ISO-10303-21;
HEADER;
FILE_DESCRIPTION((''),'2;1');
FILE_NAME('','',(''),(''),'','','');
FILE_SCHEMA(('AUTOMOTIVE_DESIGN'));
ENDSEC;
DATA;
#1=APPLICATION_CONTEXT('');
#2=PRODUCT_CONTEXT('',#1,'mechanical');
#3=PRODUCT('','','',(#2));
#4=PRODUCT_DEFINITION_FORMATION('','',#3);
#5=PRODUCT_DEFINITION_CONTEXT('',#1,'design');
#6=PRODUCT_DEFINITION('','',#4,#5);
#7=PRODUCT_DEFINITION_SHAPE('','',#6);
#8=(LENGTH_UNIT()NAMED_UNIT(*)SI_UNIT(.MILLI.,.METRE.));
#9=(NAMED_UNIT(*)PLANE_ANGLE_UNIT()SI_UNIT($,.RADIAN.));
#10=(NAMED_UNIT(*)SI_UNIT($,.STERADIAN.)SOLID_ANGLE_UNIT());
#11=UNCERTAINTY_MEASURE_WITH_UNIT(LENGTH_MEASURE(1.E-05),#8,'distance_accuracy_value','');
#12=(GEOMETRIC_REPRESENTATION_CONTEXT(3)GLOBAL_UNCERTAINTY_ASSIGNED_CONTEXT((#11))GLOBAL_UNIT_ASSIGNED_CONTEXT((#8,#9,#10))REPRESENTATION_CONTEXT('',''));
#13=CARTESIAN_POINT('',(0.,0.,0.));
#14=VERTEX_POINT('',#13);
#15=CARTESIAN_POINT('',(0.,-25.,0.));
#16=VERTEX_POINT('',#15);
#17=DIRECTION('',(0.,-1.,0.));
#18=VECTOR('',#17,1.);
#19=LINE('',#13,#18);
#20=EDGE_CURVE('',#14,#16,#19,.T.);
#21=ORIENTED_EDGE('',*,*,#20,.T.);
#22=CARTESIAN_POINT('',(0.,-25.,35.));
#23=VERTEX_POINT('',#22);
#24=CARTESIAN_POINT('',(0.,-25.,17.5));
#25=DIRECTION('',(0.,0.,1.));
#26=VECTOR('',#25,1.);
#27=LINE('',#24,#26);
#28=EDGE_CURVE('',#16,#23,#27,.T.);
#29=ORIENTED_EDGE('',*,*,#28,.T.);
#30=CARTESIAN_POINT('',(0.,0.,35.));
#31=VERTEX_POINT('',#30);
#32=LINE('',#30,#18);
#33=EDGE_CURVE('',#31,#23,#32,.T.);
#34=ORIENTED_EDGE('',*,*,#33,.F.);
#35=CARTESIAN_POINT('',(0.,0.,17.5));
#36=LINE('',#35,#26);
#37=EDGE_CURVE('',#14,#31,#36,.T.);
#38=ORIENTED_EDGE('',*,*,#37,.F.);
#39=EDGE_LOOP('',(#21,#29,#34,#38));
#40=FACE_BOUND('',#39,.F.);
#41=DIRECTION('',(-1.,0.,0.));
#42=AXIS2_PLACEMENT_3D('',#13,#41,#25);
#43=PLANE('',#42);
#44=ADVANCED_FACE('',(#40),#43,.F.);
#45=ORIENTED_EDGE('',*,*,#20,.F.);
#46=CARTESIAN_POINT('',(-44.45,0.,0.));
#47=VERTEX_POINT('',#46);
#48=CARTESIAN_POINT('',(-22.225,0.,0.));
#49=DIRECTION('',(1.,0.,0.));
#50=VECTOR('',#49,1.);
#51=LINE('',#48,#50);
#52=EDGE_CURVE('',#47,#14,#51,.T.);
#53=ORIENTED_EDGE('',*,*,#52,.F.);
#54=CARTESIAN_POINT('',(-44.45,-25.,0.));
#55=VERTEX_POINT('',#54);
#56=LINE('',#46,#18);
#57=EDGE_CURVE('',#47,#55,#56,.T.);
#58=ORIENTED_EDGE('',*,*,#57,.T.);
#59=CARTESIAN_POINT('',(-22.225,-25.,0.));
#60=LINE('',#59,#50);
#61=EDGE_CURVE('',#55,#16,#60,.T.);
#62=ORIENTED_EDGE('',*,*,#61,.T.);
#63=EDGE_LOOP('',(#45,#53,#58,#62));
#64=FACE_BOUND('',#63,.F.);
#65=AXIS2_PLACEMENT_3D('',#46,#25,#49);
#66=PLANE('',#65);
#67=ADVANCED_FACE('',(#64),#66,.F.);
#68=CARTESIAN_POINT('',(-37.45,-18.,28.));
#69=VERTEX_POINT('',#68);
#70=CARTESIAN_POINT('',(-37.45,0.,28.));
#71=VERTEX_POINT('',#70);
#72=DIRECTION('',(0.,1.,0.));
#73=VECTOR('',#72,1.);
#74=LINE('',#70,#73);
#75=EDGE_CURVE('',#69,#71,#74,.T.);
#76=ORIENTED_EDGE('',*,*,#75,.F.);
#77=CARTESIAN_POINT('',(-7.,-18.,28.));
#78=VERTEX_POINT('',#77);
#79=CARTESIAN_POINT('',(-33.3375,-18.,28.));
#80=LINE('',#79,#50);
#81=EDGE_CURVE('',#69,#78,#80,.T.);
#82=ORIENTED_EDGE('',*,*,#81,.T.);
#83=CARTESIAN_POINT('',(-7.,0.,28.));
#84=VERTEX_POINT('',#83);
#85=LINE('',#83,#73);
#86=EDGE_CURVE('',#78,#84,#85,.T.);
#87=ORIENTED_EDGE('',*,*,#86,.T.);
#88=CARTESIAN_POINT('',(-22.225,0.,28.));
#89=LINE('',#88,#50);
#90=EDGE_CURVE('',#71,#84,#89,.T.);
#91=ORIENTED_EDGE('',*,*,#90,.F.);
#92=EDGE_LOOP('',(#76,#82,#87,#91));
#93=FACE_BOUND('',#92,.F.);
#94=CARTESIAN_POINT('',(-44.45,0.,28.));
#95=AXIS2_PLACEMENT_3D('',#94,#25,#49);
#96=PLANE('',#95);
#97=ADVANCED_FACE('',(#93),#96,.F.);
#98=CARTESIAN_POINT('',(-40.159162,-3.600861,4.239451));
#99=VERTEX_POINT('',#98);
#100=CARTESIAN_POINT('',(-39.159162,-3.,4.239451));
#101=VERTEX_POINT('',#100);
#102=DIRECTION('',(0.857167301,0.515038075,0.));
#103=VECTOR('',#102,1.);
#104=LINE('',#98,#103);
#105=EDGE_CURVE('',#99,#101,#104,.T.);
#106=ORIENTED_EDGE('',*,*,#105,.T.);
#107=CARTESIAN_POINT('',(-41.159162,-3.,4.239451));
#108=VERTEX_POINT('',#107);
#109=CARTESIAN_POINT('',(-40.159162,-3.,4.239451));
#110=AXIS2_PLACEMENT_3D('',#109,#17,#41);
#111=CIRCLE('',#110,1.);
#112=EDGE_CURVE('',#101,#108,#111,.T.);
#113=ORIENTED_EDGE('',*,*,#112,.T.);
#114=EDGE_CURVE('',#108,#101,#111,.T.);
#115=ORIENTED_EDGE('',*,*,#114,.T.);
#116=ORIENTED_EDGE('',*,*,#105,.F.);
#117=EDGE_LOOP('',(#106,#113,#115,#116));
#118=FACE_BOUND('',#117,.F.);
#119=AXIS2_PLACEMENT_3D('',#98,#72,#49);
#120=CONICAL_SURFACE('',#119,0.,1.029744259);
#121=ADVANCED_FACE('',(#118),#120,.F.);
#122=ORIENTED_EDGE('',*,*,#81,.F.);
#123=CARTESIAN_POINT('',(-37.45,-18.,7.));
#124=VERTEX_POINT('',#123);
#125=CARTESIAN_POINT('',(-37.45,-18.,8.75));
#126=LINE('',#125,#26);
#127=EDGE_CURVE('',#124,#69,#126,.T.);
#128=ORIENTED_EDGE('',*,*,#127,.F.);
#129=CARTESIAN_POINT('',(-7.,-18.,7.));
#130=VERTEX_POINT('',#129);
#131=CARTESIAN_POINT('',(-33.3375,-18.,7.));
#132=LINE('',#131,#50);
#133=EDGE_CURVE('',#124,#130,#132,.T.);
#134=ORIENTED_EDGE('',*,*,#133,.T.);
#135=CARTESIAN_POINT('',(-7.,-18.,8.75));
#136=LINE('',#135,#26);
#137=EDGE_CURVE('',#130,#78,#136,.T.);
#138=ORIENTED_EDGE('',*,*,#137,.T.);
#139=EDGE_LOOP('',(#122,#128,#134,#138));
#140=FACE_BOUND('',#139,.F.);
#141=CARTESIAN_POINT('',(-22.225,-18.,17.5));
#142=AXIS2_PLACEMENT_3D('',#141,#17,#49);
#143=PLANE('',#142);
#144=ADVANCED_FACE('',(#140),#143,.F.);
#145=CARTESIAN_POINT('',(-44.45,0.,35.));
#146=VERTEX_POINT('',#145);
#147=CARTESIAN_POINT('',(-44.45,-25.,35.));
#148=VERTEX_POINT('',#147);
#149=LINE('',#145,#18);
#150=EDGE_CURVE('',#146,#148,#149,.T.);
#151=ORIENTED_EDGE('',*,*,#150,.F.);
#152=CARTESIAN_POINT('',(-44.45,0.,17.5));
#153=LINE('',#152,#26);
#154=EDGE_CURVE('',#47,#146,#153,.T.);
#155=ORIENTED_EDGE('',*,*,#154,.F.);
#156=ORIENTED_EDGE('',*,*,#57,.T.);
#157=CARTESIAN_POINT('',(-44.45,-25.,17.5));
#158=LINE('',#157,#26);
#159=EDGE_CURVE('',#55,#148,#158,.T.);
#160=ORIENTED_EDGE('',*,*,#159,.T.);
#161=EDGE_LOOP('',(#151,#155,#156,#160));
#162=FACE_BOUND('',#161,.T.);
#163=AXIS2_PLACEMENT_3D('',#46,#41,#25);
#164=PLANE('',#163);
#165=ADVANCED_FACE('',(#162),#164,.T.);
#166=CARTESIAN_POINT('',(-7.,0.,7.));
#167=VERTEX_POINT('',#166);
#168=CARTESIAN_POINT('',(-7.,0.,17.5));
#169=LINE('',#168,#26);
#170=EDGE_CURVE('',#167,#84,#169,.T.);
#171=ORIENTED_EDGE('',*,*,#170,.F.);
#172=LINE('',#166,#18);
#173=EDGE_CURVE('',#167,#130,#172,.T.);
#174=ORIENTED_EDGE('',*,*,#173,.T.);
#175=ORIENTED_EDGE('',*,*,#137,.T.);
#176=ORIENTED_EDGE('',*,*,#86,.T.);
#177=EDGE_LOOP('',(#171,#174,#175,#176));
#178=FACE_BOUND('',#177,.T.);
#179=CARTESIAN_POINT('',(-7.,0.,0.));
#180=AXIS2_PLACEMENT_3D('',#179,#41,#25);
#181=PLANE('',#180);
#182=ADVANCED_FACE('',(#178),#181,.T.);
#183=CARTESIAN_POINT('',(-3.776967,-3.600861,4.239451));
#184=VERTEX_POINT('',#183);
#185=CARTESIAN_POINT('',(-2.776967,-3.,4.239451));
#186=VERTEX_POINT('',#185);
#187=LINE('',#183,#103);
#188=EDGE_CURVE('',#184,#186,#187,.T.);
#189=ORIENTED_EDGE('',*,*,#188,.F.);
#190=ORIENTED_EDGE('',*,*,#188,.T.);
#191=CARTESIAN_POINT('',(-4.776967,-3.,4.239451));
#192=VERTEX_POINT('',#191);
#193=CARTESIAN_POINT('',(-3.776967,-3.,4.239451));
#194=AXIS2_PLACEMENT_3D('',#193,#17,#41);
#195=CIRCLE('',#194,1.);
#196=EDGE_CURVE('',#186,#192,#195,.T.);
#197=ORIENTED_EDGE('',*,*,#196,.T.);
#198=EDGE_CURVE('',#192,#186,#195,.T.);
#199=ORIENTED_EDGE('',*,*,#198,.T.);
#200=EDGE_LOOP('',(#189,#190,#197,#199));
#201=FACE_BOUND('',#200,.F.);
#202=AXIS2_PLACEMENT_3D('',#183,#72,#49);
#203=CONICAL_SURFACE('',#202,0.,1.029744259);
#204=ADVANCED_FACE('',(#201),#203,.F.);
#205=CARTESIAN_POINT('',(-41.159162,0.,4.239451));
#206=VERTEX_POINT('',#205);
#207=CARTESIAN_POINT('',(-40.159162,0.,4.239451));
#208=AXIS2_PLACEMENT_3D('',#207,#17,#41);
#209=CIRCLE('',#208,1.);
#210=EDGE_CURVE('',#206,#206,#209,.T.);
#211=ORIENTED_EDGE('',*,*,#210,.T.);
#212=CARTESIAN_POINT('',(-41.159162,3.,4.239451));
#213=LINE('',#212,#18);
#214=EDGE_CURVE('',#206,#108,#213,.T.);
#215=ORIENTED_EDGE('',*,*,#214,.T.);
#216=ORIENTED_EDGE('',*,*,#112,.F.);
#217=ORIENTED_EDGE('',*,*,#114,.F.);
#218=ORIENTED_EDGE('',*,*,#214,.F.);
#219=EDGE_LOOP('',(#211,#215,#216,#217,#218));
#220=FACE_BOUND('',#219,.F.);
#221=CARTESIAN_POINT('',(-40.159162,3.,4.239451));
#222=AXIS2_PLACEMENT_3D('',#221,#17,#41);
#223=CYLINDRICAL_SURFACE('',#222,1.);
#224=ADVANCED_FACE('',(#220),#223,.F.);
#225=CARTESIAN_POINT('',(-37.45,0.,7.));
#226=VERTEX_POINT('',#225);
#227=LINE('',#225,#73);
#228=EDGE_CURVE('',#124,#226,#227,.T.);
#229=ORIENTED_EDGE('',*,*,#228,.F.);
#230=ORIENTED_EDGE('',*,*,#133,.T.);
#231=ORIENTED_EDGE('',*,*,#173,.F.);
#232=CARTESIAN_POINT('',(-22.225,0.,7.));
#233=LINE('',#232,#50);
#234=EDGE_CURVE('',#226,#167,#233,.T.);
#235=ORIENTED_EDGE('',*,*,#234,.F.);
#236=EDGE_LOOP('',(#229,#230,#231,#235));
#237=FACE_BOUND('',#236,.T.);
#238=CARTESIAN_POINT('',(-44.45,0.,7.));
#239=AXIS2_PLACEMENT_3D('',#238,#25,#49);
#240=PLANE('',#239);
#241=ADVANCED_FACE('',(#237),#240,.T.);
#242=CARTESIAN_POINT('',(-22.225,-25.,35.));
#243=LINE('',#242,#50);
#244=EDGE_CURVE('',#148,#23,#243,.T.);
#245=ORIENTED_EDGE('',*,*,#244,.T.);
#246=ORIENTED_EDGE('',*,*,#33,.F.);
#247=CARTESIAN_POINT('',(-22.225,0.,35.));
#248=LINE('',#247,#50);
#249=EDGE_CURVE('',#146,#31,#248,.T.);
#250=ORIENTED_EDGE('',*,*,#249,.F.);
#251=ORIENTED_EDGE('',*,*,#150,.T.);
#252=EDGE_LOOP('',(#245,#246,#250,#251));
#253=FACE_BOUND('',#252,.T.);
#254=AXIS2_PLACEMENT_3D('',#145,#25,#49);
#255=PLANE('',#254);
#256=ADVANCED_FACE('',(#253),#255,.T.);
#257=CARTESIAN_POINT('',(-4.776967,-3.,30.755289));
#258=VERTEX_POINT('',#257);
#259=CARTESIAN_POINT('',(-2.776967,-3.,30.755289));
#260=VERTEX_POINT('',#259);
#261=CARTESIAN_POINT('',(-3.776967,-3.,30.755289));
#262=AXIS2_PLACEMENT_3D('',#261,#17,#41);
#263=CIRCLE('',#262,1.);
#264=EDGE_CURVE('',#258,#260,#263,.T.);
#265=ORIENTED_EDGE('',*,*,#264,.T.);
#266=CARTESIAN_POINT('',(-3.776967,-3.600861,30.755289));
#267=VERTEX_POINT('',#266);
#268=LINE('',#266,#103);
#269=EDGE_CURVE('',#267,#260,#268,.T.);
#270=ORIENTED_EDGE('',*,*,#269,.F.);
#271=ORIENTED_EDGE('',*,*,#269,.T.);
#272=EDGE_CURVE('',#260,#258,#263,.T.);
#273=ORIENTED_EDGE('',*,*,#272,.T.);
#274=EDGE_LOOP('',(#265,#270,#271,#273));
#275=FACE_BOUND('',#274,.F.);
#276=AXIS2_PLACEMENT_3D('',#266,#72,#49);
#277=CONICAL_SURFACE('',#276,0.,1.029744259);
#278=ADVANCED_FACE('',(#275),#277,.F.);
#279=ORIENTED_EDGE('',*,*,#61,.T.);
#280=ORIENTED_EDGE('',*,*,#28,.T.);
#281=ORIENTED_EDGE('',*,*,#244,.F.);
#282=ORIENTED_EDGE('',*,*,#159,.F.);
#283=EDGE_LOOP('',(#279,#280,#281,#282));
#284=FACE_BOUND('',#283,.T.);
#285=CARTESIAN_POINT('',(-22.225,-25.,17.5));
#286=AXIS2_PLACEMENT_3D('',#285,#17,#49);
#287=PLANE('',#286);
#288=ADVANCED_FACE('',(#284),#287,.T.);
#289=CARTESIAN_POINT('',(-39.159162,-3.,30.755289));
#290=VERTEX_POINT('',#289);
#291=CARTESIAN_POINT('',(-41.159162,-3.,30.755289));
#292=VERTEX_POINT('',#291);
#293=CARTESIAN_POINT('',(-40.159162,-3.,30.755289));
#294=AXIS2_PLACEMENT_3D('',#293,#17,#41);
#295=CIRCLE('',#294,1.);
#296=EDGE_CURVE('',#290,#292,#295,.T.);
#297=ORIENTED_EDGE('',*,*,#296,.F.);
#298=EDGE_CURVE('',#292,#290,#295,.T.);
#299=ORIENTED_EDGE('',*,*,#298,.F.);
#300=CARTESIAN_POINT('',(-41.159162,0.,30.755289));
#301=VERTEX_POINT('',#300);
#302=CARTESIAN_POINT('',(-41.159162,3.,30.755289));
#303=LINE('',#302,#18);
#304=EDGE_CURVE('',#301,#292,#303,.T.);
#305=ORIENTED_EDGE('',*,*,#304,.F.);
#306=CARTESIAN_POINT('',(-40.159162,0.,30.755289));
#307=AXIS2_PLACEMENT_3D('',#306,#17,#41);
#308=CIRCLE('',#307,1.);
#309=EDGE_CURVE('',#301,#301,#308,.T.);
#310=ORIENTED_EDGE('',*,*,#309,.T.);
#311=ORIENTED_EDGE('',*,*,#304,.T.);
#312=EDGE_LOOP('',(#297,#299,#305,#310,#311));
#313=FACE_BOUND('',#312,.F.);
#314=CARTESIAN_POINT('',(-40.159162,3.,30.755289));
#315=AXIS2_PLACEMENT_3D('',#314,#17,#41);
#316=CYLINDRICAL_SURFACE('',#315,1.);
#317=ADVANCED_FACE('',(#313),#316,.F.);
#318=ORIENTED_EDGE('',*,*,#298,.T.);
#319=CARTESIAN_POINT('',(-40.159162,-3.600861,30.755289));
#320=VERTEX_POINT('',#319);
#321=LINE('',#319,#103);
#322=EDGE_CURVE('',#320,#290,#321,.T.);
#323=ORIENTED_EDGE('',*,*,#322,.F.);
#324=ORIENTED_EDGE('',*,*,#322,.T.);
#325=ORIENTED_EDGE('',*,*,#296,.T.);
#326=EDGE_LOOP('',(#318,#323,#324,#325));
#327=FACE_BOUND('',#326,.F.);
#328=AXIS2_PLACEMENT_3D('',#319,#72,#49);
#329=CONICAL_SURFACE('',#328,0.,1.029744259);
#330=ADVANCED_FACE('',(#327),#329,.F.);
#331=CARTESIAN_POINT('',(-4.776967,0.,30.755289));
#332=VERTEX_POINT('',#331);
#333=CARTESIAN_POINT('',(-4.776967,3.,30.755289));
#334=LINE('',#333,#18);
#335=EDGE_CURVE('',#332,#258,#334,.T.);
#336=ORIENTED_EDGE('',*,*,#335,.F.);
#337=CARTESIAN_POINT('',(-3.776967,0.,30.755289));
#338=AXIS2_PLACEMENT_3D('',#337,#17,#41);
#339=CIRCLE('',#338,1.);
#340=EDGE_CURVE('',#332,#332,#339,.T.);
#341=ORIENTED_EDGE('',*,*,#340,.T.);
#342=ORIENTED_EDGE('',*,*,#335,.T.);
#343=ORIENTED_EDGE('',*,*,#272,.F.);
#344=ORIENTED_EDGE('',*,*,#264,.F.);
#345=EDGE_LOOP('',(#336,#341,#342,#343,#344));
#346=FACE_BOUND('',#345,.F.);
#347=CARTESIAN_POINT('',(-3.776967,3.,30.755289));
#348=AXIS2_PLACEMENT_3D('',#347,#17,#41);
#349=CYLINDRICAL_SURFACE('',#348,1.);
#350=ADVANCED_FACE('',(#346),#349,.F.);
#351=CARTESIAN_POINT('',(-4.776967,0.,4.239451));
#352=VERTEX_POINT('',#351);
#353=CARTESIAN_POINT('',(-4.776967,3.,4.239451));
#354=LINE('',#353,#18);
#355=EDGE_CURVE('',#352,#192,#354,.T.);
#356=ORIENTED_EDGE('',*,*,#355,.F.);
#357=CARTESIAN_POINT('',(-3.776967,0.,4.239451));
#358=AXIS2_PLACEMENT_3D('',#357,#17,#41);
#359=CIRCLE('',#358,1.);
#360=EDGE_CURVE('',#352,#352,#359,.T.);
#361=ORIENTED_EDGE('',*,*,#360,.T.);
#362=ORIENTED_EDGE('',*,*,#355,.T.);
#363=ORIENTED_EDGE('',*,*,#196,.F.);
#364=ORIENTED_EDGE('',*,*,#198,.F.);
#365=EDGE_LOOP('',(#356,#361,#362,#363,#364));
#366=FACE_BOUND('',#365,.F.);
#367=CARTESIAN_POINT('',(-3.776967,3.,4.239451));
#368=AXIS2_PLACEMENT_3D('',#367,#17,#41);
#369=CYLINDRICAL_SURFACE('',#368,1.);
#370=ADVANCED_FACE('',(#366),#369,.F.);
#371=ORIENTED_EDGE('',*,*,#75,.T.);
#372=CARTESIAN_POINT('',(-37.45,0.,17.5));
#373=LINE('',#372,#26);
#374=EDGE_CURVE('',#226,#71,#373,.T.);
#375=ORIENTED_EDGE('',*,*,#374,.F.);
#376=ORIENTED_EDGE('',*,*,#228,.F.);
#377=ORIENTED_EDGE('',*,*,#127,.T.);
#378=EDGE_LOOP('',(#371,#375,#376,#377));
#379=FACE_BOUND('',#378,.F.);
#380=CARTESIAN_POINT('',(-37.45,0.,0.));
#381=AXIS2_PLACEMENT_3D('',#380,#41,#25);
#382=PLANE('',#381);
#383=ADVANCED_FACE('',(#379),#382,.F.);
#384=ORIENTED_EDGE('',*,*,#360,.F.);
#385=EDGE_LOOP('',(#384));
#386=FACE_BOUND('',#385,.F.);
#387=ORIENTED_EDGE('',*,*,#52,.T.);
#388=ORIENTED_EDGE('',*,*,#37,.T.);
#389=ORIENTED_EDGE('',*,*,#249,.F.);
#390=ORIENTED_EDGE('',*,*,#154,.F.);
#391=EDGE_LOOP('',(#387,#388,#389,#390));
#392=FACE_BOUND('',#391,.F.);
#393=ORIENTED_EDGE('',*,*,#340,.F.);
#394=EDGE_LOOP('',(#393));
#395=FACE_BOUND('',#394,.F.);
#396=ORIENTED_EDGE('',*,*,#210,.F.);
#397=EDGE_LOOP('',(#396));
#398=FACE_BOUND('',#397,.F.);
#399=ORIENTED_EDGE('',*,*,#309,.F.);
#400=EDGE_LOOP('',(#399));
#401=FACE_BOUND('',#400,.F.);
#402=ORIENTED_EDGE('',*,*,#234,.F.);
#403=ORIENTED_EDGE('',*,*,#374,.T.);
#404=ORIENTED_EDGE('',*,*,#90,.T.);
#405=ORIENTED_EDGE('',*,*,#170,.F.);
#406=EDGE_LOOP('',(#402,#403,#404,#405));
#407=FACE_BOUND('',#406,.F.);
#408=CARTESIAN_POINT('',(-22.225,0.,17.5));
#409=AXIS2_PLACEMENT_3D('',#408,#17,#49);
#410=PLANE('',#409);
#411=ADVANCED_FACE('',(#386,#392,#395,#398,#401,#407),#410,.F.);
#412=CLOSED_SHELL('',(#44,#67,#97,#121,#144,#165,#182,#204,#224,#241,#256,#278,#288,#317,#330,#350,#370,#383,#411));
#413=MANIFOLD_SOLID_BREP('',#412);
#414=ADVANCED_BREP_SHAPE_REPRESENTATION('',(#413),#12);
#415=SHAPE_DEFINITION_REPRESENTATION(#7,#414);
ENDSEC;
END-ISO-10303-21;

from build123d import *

# Parameters (mm, degrees)
F0_W     = 44.45
F0_H     = 35
F1_DEPTH = 25
F2_T     = -7
F3_D     = 2
F3_DEPTH = 3
F3_TIP   = 0.600860619


with BuildPart() as f1:
    # F0 (on Front) → F1 (new body)
    with BuildSketch(Plane.XZ):
        with Locations((-22.225, 17.5)):
            Rectangle(F0_W, F0_H)
    extrude(amount=F1_DEPTH)

    # F2
    f2_openings = [f1.faces().sort_by_distance(p)[0] for p in [
        (-22.225, 0, 17.5),
    ]]
    offset(amount=F2_T, openings=f2_openings)

    # F3
    with Locations(Plane(origin=(0, 0, 0), x_dir=(1, 0, 0), z_dir=(0, 1, 0))):
        with Locations((-3.7769665942, -30.7552888989), (-40.1591621339, -30.7552888989), (-40.1591621339, -4.2394511402), (-3.7769665942, -4.2394511402)):
            Hole(F3_D / 2, depth=F3_DEPTH)
            with Locations((0, 0, -(F3_DEPTH + F3_TIP / 2))):  # 118° drill point
                Cone(0, F3_D / 2, F3_TIP, mode=Mode.SUBTRACT)


solid = f1.part
